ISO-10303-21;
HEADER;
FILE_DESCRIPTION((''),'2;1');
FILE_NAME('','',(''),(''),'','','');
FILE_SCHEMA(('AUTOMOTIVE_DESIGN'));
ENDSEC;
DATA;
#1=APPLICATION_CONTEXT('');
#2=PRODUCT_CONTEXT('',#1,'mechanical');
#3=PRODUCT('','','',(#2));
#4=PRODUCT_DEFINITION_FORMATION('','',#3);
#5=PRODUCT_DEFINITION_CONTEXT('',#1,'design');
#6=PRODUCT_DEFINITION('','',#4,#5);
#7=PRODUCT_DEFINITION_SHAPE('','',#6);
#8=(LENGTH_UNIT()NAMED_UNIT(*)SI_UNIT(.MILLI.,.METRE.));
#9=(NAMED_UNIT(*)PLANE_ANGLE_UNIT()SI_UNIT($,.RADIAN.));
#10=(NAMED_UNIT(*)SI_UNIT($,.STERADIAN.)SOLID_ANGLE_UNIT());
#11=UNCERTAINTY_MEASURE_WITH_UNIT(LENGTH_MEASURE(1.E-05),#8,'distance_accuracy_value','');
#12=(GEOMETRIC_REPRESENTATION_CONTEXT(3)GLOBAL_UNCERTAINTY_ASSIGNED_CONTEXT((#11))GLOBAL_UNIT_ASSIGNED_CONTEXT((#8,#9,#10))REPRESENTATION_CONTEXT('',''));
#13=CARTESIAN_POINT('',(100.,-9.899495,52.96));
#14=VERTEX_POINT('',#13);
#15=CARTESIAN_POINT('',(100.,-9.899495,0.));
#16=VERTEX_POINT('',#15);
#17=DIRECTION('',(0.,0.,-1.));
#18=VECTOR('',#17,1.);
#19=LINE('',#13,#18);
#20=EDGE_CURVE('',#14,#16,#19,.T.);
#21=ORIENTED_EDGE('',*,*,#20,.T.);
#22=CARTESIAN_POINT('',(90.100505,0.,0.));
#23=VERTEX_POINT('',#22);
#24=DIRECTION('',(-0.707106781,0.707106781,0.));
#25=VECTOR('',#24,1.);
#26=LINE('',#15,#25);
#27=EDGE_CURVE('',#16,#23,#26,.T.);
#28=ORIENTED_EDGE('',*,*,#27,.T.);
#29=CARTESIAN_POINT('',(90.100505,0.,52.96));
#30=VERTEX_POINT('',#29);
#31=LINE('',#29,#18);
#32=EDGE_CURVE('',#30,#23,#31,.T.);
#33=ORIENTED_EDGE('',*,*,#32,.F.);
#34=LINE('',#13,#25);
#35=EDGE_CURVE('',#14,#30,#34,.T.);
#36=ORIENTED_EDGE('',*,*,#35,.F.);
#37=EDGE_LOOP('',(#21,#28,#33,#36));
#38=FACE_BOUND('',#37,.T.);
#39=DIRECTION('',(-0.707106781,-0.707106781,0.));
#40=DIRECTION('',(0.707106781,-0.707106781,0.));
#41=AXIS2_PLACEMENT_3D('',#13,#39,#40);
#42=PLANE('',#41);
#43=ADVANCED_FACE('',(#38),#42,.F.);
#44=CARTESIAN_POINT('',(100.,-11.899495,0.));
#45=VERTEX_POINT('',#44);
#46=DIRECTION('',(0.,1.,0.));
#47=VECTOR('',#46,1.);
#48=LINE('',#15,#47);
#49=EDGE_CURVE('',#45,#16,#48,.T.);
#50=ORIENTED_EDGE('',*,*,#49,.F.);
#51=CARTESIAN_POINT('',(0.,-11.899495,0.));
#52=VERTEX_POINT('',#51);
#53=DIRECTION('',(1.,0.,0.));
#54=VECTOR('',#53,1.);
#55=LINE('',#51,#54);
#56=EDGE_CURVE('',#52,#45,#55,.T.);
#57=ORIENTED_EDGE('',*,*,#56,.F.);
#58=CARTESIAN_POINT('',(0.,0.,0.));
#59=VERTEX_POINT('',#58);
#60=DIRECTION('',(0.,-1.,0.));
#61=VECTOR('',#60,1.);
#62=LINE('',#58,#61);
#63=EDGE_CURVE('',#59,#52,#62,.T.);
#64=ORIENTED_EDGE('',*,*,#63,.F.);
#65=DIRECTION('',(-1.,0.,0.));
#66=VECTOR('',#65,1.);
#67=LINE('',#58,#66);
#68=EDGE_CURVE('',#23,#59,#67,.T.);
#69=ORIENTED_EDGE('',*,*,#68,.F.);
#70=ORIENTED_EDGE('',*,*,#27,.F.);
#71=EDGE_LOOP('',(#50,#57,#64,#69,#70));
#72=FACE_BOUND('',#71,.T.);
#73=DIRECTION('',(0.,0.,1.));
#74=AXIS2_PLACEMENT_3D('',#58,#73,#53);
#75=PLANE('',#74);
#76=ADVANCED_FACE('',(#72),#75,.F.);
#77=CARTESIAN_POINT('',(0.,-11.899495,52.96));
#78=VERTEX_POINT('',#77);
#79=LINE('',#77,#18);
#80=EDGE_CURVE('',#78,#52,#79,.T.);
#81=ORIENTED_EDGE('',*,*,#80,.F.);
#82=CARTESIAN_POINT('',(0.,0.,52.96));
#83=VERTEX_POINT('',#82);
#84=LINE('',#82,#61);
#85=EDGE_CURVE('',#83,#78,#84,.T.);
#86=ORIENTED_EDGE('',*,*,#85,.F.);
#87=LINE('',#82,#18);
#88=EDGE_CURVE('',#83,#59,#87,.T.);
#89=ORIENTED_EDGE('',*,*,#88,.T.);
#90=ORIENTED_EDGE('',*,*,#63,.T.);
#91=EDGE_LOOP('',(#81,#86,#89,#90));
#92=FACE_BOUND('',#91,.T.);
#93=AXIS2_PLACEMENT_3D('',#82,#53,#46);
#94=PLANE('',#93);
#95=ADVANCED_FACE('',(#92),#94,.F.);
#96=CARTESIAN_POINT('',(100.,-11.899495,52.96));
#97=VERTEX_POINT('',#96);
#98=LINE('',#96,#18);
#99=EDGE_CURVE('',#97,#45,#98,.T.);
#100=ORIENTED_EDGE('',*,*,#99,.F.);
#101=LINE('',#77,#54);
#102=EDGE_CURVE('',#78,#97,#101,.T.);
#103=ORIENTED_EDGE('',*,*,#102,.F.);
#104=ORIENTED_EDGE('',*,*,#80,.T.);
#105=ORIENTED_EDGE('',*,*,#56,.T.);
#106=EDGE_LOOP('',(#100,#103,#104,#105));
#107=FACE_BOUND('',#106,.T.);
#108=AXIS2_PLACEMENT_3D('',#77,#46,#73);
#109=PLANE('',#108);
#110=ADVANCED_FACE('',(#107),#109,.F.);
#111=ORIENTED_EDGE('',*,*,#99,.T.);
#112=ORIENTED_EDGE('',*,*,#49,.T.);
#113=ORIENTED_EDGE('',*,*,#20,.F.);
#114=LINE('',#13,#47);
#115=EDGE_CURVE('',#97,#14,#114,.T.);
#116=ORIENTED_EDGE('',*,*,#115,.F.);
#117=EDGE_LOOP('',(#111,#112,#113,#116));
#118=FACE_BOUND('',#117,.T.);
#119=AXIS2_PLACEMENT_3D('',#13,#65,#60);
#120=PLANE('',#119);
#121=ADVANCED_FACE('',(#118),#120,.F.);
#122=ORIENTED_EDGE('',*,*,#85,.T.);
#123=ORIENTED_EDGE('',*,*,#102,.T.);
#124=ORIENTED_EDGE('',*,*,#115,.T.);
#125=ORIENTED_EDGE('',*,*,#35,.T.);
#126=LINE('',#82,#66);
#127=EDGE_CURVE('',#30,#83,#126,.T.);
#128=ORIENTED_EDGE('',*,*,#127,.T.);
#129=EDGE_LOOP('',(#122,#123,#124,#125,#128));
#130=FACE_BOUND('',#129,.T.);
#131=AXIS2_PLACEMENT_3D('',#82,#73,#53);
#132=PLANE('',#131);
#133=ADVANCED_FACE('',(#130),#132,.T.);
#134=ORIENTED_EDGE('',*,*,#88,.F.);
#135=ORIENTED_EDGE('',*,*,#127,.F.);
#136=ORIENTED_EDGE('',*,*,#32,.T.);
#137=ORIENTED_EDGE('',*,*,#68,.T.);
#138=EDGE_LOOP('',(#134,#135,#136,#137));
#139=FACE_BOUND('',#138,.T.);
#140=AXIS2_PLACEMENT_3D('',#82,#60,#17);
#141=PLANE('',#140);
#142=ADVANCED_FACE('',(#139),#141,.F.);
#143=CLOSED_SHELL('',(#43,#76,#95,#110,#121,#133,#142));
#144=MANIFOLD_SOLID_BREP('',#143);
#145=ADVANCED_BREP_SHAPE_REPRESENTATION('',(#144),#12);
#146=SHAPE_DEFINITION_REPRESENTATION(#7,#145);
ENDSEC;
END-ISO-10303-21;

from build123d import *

# Parameters (mm, degrees)
BOSS_EXTRUDE1_DEPTH = 52.96


with BuildPart() as part:
    # Sketch1 → Boss-Extrude1 (new body)
    with BuildSketch(Plane.XY):
        Polygon((100, -9.899494937), (90.100505063, 0), (0, 0), (0, -11.899494937), (100, -11.899494937), align=None)
    extrude(amount=BOSS_EXTRUDE1_DEPTH)


solid = part.part
